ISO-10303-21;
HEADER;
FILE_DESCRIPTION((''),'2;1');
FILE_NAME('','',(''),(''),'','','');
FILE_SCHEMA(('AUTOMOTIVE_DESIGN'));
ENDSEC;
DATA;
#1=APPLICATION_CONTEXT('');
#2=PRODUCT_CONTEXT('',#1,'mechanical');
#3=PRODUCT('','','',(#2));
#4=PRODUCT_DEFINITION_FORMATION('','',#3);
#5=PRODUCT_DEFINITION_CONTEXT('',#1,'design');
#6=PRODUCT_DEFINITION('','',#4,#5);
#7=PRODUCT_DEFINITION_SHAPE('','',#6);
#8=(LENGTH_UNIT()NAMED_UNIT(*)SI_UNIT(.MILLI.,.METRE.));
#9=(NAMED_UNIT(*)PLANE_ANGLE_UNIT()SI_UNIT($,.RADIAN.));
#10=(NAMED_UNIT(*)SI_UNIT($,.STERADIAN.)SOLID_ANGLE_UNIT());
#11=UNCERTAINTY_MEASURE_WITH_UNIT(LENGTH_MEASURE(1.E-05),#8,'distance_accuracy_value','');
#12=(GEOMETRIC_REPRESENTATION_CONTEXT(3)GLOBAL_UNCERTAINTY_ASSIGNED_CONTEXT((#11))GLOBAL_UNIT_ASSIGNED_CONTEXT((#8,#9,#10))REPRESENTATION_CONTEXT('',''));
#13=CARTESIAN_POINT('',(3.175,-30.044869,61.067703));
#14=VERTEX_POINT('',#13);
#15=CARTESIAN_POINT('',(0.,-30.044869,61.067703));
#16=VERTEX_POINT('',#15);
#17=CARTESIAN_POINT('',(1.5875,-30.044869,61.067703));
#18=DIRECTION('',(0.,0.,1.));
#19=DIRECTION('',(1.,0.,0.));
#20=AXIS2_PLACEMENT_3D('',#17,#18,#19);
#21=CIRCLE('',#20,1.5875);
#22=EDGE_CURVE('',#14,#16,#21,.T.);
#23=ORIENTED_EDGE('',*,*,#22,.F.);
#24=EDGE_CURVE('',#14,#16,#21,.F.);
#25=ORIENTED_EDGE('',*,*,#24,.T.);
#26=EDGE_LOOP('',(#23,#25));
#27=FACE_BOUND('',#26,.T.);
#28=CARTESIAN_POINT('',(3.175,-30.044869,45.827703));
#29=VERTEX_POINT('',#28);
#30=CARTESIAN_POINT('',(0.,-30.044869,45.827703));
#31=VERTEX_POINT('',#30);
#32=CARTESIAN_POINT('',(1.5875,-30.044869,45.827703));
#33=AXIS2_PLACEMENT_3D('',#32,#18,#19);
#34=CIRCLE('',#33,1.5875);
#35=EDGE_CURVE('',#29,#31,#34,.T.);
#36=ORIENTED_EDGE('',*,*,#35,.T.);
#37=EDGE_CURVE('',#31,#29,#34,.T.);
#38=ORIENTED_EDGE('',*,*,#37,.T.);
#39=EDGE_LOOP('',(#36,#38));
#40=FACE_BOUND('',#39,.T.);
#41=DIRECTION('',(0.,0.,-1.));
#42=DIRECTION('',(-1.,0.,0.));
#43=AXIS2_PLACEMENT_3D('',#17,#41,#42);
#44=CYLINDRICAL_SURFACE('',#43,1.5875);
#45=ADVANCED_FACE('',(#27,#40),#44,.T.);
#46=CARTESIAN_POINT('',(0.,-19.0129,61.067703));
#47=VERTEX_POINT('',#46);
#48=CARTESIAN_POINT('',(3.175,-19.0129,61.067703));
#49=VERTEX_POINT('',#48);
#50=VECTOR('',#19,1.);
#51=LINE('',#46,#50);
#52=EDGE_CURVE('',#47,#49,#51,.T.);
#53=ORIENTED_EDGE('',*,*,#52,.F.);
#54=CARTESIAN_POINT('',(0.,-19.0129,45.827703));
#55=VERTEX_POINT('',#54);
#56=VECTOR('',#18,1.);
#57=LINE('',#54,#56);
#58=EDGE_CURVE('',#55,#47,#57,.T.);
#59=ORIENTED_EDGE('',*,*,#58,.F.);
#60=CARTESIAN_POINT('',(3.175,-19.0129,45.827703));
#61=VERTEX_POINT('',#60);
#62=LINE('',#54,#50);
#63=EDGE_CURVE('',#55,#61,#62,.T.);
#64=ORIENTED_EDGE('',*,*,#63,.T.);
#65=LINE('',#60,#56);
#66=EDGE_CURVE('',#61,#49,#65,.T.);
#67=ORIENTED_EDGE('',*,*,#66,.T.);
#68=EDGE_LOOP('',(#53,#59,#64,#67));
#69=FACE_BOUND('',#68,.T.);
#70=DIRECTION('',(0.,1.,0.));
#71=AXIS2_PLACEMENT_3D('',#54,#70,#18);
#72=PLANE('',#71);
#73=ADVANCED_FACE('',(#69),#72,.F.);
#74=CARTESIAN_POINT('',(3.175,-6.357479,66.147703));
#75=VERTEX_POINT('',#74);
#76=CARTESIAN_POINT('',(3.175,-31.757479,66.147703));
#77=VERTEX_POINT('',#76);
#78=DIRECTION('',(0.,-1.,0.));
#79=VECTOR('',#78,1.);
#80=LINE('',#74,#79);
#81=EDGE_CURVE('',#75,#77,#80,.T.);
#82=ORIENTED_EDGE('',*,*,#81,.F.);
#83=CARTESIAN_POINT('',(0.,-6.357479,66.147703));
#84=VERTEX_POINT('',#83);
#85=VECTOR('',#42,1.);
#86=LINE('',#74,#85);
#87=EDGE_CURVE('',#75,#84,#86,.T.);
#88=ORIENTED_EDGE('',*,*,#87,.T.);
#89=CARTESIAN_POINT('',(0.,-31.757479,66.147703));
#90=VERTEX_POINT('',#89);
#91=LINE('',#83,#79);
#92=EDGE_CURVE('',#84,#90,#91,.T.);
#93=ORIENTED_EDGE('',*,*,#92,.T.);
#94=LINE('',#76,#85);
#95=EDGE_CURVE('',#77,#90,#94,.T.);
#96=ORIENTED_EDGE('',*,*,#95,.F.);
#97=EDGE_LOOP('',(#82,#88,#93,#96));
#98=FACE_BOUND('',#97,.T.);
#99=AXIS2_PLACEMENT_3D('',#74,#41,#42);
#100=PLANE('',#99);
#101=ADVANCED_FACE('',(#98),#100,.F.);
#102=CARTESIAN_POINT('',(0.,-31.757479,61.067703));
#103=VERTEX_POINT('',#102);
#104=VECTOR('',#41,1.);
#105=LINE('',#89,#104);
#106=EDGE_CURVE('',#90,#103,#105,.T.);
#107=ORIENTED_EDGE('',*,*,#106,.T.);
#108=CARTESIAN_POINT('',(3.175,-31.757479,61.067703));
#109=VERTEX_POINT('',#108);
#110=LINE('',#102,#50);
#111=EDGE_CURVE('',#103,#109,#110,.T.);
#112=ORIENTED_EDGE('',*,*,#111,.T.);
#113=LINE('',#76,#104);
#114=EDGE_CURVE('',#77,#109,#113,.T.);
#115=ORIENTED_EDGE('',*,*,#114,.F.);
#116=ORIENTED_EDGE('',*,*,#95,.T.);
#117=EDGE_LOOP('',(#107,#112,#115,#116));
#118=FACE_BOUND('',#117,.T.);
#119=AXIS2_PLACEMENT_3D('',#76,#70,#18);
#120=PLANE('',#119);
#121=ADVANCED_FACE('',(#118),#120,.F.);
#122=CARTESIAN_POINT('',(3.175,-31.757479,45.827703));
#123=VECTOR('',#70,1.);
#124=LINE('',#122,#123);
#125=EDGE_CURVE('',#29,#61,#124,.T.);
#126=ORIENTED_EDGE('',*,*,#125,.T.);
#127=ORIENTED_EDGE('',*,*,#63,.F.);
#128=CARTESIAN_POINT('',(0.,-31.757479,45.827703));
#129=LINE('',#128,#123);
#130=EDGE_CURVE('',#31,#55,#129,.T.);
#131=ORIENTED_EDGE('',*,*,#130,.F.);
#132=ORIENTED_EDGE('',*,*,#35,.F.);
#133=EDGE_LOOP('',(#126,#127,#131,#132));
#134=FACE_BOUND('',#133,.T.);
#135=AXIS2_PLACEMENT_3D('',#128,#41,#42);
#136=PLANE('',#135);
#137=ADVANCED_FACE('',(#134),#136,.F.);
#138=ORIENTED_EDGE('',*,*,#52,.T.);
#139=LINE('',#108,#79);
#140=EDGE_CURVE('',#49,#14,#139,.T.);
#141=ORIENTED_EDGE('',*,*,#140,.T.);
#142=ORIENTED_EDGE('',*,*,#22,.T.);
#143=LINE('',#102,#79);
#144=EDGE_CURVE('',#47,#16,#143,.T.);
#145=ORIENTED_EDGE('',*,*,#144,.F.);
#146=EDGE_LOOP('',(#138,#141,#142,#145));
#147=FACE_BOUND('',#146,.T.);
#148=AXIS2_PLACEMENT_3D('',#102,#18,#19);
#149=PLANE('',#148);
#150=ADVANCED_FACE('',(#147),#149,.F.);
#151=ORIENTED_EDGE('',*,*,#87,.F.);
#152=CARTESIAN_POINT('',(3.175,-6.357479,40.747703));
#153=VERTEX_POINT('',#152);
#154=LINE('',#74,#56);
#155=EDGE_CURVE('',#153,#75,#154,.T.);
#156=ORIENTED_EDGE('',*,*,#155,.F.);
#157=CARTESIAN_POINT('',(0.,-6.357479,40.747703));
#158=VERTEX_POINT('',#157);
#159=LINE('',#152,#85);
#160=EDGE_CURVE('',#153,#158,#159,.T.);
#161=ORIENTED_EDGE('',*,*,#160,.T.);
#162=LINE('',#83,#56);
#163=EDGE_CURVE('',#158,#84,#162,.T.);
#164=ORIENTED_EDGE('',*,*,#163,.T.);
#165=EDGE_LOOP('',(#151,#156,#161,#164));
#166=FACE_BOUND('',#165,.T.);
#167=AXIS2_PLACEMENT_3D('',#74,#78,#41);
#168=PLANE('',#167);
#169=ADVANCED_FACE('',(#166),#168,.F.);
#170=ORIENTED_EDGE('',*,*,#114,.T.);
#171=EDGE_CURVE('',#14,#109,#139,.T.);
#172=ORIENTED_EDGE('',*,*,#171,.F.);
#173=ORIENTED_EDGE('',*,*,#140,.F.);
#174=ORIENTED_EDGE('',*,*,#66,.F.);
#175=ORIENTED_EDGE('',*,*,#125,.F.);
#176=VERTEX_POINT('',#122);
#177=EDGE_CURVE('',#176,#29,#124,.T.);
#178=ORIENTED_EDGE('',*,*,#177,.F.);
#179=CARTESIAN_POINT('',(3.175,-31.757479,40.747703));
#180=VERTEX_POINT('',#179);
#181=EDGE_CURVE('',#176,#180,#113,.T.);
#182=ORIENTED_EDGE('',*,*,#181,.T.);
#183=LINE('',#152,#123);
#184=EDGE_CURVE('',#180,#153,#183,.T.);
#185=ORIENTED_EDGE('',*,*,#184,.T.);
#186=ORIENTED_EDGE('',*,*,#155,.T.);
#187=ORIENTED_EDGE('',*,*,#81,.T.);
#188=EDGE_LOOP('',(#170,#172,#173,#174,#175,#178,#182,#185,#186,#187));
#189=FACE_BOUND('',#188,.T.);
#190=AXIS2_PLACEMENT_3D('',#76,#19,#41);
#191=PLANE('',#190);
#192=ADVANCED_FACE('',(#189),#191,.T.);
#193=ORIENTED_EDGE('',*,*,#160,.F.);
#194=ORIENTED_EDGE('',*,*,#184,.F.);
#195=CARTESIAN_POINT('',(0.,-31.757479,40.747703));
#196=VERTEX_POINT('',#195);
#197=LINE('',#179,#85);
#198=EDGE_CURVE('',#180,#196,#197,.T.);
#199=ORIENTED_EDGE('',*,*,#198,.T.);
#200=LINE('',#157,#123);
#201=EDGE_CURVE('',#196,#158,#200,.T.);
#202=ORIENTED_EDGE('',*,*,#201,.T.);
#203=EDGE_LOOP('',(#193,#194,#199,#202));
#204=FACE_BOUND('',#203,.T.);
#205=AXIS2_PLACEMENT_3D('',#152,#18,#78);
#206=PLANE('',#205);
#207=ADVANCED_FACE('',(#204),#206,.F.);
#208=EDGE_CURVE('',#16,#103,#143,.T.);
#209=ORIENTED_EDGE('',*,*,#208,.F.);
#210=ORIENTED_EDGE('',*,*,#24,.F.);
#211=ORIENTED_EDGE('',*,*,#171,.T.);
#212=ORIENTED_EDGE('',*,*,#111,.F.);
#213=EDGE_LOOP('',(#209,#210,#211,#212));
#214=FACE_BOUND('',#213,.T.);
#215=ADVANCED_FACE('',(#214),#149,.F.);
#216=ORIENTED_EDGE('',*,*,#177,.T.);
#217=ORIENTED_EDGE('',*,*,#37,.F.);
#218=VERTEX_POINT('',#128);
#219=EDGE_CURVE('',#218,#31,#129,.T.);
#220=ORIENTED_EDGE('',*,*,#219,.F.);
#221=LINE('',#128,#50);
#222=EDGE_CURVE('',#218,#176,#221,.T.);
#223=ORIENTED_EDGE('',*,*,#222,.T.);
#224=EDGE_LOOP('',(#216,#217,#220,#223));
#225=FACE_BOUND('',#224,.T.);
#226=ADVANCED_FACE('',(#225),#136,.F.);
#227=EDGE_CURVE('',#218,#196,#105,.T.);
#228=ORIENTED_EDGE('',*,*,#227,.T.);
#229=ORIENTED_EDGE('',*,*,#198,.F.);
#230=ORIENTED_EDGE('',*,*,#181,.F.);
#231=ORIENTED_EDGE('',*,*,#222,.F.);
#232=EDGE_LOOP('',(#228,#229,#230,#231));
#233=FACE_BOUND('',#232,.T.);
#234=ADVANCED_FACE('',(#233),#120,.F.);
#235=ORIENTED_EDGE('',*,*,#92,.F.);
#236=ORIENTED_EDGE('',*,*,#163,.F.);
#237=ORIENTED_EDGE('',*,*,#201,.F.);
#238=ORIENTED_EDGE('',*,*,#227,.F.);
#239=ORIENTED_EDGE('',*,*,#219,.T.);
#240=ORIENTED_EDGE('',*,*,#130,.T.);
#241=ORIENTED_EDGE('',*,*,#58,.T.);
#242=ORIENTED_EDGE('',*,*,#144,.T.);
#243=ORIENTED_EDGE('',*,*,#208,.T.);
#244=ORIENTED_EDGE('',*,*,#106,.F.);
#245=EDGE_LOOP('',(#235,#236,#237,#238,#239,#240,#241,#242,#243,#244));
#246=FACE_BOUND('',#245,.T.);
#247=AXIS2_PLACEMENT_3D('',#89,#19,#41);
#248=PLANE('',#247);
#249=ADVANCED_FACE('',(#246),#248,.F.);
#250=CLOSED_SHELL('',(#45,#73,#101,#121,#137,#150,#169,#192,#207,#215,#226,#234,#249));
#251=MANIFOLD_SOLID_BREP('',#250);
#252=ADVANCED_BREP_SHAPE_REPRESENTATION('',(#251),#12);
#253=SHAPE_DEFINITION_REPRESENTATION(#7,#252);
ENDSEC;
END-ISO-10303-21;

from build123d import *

# Parameters (mm, degrees)
SKETCH1_W           = 25.4
SKETCH1_H           = 25.4
BOSS_EXTRUDE1_DEPTH = 3.175
SKETCH2_W           = 15.24
SKETCH2_H           = 12.744579596
CUT_EXTRUDE1_DEPTH  = 74.44478714
SKETCH3_R           = 1.5875
BOSS_EXTRUDE4_DEPTH = 15.24


with BuildPart() as part:
    # Sketch1 → Boss-Extrude1 (new body)
    with BuildSketch(Plane(origin=(0, 0, 0), x_dir=(0, 0, -1), z_dir=(1, 0, 0))):
        with Locations((-53.44770318, -19.057479388)):
            Rectangle(SKETCH1_W, SKETCH1_H)
    extrude(amount=BOSS_EXTRUDE1_DEPTH)

    # Sketch2 → Cut-Extrude1 (cut, through all)
    with BuildSketch(Plane(origin=(3.175, 0, 0), x_dir=(0, 0, -1), z_dir=(1, 0, 0))):
        with Locations((-53.44770318, -25.38518959)):
            Rectangle(SKETCH2_W, SKETCH2_H)
    extrude(amount=-CUT_EXTRUDE1_DEPTH, mode=Mode.SUBTRACT)

    # Sketch3 → Boss-Extrude4 (add)
    with BuildSketch(Plane.XY.offset(45.82770318)):
        with Locations(Location((1.5875, -30.04486866, 0), (0, 0, 180))):
            Circle(SKETCH3_R)
    extrude(amount=BOSS_EXTRUDE4_DEPTH)


solid = part.part
